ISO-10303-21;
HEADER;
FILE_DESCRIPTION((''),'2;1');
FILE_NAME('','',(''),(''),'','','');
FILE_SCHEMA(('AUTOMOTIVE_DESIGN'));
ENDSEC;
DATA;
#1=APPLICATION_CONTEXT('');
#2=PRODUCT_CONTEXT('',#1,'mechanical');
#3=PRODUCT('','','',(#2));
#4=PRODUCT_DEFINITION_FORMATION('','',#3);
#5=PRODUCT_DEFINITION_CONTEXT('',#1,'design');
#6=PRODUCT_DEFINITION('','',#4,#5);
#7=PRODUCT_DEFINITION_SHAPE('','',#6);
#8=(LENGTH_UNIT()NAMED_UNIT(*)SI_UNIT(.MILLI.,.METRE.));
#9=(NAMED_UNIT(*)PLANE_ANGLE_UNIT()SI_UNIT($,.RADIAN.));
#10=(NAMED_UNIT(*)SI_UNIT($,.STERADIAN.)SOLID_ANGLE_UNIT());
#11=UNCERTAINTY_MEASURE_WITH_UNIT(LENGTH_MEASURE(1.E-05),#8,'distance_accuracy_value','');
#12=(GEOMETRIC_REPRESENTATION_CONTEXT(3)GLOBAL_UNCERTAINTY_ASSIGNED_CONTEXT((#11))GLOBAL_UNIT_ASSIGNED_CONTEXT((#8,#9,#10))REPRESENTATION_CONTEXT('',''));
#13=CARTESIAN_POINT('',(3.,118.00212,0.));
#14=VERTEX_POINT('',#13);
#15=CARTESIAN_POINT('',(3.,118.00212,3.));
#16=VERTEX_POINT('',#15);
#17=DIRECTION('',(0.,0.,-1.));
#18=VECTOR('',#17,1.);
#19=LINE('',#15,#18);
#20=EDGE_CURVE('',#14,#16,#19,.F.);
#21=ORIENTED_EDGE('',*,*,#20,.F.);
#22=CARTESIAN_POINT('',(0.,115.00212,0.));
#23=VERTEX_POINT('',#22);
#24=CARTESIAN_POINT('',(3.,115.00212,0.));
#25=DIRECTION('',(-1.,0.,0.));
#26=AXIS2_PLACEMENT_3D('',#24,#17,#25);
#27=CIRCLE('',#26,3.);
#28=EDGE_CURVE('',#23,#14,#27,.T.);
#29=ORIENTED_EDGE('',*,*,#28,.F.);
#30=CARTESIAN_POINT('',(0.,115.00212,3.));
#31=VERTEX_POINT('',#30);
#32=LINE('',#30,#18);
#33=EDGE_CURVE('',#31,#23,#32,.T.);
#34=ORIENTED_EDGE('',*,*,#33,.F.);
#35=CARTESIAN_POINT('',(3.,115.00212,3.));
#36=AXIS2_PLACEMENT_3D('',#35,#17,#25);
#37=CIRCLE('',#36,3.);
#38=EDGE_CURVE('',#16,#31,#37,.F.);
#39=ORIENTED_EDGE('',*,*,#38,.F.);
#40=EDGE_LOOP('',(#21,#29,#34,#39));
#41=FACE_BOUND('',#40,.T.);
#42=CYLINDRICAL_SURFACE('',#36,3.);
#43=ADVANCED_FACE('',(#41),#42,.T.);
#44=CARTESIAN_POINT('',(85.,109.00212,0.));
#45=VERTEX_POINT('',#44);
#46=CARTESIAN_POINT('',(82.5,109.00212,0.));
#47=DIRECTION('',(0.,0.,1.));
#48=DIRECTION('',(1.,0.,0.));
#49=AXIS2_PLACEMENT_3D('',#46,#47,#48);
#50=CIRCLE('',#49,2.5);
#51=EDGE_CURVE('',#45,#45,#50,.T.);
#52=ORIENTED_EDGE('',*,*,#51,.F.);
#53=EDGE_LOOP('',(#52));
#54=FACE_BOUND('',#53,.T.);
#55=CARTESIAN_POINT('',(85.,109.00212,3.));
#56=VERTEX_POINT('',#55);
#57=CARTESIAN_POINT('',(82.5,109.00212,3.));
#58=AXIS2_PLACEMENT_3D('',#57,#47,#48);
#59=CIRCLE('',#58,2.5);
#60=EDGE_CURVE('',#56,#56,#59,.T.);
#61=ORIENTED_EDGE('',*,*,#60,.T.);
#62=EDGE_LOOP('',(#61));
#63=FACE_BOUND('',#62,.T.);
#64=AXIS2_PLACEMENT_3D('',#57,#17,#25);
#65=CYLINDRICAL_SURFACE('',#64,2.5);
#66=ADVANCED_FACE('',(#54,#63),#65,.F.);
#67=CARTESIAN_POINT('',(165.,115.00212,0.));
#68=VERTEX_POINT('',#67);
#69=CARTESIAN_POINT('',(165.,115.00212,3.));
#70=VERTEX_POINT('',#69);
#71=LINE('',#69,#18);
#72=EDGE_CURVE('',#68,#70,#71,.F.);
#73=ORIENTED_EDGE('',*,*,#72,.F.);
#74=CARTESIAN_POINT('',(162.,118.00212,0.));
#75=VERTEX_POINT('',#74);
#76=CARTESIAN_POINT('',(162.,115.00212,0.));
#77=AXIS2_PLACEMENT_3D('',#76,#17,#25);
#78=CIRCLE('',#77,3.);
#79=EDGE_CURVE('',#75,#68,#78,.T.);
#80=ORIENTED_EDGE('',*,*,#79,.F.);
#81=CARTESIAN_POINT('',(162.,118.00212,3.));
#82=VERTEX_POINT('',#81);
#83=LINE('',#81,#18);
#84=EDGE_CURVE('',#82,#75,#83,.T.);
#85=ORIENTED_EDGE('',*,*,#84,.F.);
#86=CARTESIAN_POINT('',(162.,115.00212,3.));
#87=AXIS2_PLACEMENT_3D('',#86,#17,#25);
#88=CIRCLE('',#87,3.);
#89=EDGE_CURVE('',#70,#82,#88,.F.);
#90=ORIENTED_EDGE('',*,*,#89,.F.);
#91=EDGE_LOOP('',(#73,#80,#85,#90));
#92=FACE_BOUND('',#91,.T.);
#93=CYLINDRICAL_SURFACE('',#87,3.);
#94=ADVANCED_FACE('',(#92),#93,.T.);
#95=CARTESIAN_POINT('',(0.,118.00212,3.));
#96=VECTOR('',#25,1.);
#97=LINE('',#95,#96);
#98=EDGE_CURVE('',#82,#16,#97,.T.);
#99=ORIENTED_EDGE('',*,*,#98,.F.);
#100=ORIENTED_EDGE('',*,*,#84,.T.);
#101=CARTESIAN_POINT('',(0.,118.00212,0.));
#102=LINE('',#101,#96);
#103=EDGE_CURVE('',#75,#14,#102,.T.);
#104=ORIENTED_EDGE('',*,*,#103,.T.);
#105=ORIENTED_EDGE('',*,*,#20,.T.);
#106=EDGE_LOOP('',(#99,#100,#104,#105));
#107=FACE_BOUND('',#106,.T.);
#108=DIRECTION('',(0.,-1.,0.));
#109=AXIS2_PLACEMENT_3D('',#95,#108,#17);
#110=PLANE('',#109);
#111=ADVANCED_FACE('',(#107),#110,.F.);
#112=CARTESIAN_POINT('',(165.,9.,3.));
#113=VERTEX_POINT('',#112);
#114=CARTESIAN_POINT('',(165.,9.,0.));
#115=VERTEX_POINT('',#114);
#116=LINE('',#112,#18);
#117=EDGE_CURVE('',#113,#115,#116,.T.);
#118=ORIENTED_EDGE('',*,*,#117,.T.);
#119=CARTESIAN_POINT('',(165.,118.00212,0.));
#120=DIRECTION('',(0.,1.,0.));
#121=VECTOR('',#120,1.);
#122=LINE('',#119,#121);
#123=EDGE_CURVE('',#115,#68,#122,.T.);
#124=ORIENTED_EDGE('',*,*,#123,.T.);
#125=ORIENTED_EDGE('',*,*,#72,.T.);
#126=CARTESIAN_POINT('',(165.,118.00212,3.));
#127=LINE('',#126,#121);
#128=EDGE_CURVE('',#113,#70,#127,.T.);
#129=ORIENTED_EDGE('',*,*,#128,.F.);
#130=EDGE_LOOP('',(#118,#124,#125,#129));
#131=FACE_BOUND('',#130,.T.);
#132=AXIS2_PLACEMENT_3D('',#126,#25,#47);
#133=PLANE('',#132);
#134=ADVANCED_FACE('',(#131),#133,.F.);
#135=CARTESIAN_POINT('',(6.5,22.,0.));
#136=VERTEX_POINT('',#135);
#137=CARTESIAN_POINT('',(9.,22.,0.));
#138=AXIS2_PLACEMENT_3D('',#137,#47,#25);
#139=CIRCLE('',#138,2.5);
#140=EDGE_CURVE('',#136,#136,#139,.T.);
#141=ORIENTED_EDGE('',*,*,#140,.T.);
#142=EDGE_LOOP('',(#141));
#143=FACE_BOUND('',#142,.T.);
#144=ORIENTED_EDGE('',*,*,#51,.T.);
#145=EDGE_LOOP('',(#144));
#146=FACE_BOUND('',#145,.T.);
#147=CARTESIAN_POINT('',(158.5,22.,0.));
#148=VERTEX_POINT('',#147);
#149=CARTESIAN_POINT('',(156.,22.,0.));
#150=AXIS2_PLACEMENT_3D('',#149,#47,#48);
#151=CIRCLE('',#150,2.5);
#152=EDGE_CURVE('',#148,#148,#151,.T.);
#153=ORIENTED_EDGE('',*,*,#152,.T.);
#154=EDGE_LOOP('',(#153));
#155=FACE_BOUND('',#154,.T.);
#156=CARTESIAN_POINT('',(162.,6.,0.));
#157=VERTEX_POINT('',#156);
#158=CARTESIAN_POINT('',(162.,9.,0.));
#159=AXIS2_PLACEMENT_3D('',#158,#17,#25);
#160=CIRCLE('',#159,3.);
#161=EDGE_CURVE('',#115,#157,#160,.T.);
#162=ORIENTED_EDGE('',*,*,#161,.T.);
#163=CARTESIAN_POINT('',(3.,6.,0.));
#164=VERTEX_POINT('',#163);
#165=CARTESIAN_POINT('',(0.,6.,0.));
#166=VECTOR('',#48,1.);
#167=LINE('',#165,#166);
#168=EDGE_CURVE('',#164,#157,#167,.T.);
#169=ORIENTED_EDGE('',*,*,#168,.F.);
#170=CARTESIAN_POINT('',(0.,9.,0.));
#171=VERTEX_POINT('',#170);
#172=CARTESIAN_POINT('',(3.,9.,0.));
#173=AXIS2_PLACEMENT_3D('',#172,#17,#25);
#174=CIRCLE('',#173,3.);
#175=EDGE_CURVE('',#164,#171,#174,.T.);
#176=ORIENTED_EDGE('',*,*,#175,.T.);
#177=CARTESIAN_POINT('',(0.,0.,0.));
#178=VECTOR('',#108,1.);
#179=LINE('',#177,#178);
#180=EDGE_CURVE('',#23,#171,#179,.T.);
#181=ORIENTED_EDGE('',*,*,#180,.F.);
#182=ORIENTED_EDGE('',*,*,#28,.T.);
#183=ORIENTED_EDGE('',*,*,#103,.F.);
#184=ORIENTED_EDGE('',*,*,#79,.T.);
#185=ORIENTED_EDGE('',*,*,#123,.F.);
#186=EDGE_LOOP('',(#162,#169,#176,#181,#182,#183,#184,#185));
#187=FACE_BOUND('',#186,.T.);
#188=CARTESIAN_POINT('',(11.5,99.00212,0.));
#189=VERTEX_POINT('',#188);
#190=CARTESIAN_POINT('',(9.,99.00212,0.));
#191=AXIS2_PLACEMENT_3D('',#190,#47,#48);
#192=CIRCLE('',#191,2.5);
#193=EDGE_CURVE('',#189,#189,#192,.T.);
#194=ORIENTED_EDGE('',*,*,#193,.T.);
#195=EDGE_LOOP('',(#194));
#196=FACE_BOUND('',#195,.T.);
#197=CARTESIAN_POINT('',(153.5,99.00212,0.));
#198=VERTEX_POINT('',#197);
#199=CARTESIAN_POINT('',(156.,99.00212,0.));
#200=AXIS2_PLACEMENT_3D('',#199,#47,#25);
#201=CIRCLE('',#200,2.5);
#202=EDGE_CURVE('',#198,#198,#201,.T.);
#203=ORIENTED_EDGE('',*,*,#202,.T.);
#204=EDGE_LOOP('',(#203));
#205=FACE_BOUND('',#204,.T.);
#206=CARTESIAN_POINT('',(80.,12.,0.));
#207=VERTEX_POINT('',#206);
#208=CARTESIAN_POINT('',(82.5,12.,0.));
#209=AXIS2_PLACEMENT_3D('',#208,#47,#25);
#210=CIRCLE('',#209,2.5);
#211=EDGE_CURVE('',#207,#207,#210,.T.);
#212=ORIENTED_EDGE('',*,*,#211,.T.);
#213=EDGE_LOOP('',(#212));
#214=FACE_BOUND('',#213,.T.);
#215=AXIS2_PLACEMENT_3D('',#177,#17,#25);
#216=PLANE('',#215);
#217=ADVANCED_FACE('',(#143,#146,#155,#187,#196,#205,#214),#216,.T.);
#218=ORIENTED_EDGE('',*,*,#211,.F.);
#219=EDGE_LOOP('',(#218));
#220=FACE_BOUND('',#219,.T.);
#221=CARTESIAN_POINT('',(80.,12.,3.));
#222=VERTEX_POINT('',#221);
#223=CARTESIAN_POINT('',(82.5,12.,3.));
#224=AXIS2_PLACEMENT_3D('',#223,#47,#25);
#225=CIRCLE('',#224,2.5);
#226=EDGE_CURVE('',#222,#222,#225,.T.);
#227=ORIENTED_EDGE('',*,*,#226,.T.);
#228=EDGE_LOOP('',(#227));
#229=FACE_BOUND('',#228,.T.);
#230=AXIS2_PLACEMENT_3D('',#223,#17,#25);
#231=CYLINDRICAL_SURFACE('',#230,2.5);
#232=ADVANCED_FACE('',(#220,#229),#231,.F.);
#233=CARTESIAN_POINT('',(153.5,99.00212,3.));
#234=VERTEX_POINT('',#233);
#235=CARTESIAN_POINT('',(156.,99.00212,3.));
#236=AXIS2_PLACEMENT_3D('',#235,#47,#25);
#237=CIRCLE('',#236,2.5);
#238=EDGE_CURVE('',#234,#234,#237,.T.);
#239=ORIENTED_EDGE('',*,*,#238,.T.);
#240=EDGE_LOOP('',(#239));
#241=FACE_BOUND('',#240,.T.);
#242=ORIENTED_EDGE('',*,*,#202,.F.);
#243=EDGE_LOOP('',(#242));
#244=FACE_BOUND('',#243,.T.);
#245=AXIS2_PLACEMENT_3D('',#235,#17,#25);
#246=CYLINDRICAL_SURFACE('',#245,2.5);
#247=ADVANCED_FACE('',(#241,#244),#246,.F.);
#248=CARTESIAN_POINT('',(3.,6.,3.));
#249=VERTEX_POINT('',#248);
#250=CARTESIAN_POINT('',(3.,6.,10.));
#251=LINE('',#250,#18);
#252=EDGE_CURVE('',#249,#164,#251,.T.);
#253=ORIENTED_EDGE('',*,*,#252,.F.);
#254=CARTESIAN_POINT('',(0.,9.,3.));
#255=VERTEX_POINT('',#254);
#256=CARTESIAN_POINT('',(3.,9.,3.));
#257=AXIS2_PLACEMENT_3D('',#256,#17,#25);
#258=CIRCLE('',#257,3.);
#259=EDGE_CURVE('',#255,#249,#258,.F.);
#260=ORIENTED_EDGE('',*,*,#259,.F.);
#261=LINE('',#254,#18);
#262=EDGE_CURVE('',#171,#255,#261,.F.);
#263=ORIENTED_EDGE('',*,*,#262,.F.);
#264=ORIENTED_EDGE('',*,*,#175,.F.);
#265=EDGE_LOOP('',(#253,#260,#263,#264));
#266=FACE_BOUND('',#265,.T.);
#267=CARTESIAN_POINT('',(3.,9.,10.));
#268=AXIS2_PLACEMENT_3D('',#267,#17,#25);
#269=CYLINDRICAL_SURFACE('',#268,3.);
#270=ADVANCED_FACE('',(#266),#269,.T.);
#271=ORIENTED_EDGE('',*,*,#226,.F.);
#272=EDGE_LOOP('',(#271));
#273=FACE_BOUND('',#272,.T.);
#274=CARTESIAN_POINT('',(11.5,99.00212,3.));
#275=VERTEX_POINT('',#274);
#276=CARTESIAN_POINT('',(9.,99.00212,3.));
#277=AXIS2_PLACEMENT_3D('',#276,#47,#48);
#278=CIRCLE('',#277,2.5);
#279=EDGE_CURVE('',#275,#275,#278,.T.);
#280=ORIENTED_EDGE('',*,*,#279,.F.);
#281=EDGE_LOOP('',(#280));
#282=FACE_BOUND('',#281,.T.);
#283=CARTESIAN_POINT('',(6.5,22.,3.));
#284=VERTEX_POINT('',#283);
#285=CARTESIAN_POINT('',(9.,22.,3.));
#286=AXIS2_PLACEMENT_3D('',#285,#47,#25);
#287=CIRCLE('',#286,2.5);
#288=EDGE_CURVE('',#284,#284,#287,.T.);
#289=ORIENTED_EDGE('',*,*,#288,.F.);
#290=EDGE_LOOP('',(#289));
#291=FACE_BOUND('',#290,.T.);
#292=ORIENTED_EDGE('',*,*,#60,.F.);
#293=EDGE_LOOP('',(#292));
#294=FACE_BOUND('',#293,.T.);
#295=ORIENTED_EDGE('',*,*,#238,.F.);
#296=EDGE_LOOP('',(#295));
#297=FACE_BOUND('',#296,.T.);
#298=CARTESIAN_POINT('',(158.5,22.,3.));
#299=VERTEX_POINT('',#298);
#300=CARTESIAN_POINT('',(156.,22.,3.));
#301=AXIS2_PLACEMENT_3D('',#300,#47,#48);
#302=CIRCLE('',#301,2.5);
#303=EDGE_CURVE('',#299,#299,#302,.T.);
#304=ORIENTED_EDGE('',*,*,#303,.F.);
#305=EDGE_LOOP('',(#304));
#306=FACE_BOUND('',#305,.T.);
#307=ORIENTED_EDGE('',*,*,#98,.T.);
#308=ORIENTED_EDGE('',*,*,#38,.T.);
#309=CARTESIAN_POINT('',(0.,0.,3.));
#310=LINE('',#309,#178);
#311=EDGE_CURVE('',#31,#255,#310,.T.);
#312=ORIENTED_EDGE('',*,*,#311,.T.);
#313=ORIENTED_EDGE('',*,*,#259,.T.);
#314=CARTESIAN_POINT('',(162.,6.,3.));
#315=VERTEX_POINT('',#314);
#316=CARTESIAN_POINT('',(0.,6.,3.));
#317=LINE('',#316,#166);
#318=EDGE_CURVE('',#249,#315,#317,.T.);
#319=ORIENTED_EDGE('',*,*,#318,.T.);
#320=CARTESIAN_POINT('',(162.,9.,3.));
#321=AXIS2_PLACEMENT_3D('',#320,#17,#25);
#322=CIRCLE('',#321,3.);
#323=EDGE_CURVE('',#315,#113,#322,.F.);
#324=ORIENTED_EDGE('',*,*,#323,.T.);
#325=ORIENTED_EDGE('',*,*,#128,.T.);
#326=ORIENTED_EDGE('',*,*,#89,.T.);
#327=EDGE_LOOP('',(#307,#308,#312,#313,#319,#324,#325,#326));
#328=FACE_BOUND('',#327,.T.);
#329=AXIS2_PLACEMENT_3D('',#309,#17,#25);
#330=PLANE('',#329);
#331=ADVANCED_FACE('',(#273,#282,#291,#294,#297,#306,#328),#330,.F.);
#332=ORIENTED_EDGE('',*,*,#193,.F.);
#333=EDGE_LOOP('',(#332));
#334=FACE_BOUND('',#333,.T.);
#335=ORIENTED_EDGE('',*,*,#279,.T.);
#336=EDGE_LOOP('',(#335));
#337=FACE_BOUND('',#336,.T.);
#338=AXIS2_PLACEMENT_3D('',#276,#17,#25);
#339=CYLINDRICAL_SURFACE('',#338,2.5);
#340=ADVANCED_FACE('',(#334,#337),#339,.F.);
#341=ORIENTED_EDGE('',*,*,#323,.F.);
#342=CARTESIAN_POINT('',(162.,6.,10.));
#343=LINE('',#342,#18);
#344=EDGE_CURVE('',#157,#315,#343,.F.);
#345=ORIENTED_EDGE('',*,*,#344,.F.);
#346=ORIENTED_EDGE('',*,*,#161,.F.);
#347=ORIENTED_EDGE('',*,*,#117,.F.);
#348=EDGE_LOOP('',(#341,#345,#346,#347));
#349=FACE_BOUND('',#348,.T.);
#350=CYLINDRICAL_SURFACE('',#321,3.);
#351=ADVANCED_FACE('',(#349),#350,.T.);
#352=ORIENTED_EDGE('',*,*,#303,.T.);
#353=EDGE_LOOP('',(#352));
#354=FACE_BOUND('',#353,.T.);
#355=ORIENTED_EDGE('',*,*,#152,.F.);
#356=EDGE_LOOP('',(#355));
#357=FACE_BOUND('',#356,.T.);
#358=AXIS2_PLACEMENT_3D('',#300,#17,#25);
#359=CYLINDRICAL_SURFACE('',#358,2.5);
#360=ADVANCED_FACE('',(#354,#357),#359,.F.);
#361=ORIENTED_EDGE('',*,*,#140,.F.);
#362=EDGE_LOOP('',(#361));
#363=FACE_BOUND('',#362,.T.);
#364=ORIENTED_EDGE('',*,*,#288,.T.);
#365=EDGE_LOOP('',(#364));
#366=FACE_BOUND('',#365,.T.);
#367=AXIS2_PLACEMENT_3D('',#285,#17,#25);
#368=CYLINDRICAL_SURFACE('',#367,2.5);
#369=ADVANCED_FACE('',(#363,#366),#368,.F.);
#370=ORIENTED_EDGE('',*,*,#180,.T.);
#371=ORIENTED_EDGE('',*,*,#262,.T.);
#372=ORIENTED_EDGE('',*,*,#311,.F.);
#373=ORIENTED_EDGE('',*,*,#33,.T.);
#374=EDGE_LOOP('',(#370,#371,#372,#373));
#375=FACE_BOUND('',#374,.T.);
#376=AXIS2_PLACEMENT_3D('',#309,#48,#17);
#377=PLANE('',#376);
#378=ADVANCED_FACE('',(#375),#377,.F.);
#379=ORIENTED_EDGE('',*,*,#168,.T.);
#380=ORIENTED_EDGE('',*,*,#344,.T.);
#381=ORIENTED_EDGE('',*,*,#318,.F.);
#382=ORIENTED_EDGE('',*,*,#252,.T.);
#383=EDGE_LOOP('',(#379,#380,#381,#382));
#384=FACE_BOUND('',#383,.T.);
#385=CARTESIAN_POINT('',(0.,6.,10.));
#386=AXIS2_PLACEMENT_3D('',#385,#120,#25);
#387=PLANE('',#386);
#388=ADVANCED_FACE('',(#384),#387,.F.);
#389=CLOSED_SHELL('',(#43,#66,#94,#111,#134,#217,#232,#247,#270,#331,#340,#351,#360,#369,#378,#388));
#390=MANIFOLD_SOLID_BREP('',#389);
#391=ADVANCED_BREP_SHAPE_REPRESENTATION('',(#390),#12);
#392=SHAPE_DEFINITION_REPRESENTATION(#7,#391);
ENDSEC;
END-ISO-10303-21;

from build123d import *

# Parameters (mm, degrees)
SKETCH_1_W          = 165
SKETCH_1_H          = 118.00212
SKETCH_1_R          = 2.5
EXTRUDE_1_DEPTH     = 3
FILLET_1_R          = 3
CUT_EXTRUDE_START   = -10
CUT_EXTRUDE_1_DEPTH = 10
FILLET_2_R          = 3


with BuildPart() as part:
    # ｽｹｯﾁ1 → ﾎﾞｽ - 押し出し1 (new body)
    with BuildSketch(Plane.XY):
        with Locations((82.5, 59.00106)):
            Rectangle(SKETCH_1_W, SKETCH_1_H)
        with Locations((82.5, 109.00212)):
            Circle(SKETCH_1_R, mode=Mode.SUBTRACT)
        with Locations((9, 99.00212)):
            Circle(SKETCH_1_R, mode=Mode.SUBTRACT)
        with Locations(Location((9, 22, 0), (0, 0, 180))):
            Circle(SKETCH_1_R, mode=Mode.SUBTRACT)
        with Locations(Location((82.5, 12, 0), (0, 0, 180))):
            Circle(SKETCH_1_R, mode=Mode.SUBTRACT)
        with Locations(Location((156, 99.00212, 0), (0, 0, 180))):
            Circle(SKETCH_1_R, mode=Mode.SUBTRACT)
        with Locations((156, 22)):
            Circle(SKETCH_1_R, mode=Mode.SUBTRACT)
    extrude(amount=EXTRUDE_1_DEPTH)

    # ﾌｨﾚｯﾄ1
    fillet_1_edges = [part.edges().sort_by_distance(p)[0] for p in [
        (0, 0, 1.5),
        (0, 118.00212, 1.5),
        (165, 118.00212, 1.5),
        (165, 0, 1.5),
    ]]
    fillet(fillet_1_edges, radius=FILLET_1_R)

    # ｽｹｯﾁ3 → ｶｯﾄ - 押し出し1 (cut)
    with BuildSketch(Plane(origin=(0, 0, 0), x_dir=(-1, 0, 0), z_dir=(0, 0, -1)).offset(CUT_EXTRUDE_START)):
        with BuildLine():
            Line((-162, 0), (-82.5, 0))
            Line((-82.5, 0), (-82.5, 6))
            Line((-82.5, 6), (-165, 6))
            Line((-165, 6), (-165, 3))
            ThreePointArc((-165, 3), (-164.121320344, 0.878679656), (-162, 0))
        make_face()
        with BuildLine():
            Line((-82.5, 6), (-82.5, 0))
            Line((-82.5, 0), (-3, 0))
            ThreePointArc((-3, 0), (-0.878679656, 0.878679656), (0, 3))
            Line((0, 3), (0, 6))
            Line((0, 6), (-82.5, 6))
        make_face()
    extrude(amount=CUT_EXTRUDE_1_DEPTH, mode=Mode.SUBTRACT)

    # ﾌｨﾚｯﾄ2
    fillet_2_edges = [part.edges().sort_by_distance(p)[0] for p in [
        (165, 6, 1.5),
        (0, 6, 1.5),
    ]]
    fillet(fillet_2_edges, radius=FILLET_2_R)


solid = part.part
